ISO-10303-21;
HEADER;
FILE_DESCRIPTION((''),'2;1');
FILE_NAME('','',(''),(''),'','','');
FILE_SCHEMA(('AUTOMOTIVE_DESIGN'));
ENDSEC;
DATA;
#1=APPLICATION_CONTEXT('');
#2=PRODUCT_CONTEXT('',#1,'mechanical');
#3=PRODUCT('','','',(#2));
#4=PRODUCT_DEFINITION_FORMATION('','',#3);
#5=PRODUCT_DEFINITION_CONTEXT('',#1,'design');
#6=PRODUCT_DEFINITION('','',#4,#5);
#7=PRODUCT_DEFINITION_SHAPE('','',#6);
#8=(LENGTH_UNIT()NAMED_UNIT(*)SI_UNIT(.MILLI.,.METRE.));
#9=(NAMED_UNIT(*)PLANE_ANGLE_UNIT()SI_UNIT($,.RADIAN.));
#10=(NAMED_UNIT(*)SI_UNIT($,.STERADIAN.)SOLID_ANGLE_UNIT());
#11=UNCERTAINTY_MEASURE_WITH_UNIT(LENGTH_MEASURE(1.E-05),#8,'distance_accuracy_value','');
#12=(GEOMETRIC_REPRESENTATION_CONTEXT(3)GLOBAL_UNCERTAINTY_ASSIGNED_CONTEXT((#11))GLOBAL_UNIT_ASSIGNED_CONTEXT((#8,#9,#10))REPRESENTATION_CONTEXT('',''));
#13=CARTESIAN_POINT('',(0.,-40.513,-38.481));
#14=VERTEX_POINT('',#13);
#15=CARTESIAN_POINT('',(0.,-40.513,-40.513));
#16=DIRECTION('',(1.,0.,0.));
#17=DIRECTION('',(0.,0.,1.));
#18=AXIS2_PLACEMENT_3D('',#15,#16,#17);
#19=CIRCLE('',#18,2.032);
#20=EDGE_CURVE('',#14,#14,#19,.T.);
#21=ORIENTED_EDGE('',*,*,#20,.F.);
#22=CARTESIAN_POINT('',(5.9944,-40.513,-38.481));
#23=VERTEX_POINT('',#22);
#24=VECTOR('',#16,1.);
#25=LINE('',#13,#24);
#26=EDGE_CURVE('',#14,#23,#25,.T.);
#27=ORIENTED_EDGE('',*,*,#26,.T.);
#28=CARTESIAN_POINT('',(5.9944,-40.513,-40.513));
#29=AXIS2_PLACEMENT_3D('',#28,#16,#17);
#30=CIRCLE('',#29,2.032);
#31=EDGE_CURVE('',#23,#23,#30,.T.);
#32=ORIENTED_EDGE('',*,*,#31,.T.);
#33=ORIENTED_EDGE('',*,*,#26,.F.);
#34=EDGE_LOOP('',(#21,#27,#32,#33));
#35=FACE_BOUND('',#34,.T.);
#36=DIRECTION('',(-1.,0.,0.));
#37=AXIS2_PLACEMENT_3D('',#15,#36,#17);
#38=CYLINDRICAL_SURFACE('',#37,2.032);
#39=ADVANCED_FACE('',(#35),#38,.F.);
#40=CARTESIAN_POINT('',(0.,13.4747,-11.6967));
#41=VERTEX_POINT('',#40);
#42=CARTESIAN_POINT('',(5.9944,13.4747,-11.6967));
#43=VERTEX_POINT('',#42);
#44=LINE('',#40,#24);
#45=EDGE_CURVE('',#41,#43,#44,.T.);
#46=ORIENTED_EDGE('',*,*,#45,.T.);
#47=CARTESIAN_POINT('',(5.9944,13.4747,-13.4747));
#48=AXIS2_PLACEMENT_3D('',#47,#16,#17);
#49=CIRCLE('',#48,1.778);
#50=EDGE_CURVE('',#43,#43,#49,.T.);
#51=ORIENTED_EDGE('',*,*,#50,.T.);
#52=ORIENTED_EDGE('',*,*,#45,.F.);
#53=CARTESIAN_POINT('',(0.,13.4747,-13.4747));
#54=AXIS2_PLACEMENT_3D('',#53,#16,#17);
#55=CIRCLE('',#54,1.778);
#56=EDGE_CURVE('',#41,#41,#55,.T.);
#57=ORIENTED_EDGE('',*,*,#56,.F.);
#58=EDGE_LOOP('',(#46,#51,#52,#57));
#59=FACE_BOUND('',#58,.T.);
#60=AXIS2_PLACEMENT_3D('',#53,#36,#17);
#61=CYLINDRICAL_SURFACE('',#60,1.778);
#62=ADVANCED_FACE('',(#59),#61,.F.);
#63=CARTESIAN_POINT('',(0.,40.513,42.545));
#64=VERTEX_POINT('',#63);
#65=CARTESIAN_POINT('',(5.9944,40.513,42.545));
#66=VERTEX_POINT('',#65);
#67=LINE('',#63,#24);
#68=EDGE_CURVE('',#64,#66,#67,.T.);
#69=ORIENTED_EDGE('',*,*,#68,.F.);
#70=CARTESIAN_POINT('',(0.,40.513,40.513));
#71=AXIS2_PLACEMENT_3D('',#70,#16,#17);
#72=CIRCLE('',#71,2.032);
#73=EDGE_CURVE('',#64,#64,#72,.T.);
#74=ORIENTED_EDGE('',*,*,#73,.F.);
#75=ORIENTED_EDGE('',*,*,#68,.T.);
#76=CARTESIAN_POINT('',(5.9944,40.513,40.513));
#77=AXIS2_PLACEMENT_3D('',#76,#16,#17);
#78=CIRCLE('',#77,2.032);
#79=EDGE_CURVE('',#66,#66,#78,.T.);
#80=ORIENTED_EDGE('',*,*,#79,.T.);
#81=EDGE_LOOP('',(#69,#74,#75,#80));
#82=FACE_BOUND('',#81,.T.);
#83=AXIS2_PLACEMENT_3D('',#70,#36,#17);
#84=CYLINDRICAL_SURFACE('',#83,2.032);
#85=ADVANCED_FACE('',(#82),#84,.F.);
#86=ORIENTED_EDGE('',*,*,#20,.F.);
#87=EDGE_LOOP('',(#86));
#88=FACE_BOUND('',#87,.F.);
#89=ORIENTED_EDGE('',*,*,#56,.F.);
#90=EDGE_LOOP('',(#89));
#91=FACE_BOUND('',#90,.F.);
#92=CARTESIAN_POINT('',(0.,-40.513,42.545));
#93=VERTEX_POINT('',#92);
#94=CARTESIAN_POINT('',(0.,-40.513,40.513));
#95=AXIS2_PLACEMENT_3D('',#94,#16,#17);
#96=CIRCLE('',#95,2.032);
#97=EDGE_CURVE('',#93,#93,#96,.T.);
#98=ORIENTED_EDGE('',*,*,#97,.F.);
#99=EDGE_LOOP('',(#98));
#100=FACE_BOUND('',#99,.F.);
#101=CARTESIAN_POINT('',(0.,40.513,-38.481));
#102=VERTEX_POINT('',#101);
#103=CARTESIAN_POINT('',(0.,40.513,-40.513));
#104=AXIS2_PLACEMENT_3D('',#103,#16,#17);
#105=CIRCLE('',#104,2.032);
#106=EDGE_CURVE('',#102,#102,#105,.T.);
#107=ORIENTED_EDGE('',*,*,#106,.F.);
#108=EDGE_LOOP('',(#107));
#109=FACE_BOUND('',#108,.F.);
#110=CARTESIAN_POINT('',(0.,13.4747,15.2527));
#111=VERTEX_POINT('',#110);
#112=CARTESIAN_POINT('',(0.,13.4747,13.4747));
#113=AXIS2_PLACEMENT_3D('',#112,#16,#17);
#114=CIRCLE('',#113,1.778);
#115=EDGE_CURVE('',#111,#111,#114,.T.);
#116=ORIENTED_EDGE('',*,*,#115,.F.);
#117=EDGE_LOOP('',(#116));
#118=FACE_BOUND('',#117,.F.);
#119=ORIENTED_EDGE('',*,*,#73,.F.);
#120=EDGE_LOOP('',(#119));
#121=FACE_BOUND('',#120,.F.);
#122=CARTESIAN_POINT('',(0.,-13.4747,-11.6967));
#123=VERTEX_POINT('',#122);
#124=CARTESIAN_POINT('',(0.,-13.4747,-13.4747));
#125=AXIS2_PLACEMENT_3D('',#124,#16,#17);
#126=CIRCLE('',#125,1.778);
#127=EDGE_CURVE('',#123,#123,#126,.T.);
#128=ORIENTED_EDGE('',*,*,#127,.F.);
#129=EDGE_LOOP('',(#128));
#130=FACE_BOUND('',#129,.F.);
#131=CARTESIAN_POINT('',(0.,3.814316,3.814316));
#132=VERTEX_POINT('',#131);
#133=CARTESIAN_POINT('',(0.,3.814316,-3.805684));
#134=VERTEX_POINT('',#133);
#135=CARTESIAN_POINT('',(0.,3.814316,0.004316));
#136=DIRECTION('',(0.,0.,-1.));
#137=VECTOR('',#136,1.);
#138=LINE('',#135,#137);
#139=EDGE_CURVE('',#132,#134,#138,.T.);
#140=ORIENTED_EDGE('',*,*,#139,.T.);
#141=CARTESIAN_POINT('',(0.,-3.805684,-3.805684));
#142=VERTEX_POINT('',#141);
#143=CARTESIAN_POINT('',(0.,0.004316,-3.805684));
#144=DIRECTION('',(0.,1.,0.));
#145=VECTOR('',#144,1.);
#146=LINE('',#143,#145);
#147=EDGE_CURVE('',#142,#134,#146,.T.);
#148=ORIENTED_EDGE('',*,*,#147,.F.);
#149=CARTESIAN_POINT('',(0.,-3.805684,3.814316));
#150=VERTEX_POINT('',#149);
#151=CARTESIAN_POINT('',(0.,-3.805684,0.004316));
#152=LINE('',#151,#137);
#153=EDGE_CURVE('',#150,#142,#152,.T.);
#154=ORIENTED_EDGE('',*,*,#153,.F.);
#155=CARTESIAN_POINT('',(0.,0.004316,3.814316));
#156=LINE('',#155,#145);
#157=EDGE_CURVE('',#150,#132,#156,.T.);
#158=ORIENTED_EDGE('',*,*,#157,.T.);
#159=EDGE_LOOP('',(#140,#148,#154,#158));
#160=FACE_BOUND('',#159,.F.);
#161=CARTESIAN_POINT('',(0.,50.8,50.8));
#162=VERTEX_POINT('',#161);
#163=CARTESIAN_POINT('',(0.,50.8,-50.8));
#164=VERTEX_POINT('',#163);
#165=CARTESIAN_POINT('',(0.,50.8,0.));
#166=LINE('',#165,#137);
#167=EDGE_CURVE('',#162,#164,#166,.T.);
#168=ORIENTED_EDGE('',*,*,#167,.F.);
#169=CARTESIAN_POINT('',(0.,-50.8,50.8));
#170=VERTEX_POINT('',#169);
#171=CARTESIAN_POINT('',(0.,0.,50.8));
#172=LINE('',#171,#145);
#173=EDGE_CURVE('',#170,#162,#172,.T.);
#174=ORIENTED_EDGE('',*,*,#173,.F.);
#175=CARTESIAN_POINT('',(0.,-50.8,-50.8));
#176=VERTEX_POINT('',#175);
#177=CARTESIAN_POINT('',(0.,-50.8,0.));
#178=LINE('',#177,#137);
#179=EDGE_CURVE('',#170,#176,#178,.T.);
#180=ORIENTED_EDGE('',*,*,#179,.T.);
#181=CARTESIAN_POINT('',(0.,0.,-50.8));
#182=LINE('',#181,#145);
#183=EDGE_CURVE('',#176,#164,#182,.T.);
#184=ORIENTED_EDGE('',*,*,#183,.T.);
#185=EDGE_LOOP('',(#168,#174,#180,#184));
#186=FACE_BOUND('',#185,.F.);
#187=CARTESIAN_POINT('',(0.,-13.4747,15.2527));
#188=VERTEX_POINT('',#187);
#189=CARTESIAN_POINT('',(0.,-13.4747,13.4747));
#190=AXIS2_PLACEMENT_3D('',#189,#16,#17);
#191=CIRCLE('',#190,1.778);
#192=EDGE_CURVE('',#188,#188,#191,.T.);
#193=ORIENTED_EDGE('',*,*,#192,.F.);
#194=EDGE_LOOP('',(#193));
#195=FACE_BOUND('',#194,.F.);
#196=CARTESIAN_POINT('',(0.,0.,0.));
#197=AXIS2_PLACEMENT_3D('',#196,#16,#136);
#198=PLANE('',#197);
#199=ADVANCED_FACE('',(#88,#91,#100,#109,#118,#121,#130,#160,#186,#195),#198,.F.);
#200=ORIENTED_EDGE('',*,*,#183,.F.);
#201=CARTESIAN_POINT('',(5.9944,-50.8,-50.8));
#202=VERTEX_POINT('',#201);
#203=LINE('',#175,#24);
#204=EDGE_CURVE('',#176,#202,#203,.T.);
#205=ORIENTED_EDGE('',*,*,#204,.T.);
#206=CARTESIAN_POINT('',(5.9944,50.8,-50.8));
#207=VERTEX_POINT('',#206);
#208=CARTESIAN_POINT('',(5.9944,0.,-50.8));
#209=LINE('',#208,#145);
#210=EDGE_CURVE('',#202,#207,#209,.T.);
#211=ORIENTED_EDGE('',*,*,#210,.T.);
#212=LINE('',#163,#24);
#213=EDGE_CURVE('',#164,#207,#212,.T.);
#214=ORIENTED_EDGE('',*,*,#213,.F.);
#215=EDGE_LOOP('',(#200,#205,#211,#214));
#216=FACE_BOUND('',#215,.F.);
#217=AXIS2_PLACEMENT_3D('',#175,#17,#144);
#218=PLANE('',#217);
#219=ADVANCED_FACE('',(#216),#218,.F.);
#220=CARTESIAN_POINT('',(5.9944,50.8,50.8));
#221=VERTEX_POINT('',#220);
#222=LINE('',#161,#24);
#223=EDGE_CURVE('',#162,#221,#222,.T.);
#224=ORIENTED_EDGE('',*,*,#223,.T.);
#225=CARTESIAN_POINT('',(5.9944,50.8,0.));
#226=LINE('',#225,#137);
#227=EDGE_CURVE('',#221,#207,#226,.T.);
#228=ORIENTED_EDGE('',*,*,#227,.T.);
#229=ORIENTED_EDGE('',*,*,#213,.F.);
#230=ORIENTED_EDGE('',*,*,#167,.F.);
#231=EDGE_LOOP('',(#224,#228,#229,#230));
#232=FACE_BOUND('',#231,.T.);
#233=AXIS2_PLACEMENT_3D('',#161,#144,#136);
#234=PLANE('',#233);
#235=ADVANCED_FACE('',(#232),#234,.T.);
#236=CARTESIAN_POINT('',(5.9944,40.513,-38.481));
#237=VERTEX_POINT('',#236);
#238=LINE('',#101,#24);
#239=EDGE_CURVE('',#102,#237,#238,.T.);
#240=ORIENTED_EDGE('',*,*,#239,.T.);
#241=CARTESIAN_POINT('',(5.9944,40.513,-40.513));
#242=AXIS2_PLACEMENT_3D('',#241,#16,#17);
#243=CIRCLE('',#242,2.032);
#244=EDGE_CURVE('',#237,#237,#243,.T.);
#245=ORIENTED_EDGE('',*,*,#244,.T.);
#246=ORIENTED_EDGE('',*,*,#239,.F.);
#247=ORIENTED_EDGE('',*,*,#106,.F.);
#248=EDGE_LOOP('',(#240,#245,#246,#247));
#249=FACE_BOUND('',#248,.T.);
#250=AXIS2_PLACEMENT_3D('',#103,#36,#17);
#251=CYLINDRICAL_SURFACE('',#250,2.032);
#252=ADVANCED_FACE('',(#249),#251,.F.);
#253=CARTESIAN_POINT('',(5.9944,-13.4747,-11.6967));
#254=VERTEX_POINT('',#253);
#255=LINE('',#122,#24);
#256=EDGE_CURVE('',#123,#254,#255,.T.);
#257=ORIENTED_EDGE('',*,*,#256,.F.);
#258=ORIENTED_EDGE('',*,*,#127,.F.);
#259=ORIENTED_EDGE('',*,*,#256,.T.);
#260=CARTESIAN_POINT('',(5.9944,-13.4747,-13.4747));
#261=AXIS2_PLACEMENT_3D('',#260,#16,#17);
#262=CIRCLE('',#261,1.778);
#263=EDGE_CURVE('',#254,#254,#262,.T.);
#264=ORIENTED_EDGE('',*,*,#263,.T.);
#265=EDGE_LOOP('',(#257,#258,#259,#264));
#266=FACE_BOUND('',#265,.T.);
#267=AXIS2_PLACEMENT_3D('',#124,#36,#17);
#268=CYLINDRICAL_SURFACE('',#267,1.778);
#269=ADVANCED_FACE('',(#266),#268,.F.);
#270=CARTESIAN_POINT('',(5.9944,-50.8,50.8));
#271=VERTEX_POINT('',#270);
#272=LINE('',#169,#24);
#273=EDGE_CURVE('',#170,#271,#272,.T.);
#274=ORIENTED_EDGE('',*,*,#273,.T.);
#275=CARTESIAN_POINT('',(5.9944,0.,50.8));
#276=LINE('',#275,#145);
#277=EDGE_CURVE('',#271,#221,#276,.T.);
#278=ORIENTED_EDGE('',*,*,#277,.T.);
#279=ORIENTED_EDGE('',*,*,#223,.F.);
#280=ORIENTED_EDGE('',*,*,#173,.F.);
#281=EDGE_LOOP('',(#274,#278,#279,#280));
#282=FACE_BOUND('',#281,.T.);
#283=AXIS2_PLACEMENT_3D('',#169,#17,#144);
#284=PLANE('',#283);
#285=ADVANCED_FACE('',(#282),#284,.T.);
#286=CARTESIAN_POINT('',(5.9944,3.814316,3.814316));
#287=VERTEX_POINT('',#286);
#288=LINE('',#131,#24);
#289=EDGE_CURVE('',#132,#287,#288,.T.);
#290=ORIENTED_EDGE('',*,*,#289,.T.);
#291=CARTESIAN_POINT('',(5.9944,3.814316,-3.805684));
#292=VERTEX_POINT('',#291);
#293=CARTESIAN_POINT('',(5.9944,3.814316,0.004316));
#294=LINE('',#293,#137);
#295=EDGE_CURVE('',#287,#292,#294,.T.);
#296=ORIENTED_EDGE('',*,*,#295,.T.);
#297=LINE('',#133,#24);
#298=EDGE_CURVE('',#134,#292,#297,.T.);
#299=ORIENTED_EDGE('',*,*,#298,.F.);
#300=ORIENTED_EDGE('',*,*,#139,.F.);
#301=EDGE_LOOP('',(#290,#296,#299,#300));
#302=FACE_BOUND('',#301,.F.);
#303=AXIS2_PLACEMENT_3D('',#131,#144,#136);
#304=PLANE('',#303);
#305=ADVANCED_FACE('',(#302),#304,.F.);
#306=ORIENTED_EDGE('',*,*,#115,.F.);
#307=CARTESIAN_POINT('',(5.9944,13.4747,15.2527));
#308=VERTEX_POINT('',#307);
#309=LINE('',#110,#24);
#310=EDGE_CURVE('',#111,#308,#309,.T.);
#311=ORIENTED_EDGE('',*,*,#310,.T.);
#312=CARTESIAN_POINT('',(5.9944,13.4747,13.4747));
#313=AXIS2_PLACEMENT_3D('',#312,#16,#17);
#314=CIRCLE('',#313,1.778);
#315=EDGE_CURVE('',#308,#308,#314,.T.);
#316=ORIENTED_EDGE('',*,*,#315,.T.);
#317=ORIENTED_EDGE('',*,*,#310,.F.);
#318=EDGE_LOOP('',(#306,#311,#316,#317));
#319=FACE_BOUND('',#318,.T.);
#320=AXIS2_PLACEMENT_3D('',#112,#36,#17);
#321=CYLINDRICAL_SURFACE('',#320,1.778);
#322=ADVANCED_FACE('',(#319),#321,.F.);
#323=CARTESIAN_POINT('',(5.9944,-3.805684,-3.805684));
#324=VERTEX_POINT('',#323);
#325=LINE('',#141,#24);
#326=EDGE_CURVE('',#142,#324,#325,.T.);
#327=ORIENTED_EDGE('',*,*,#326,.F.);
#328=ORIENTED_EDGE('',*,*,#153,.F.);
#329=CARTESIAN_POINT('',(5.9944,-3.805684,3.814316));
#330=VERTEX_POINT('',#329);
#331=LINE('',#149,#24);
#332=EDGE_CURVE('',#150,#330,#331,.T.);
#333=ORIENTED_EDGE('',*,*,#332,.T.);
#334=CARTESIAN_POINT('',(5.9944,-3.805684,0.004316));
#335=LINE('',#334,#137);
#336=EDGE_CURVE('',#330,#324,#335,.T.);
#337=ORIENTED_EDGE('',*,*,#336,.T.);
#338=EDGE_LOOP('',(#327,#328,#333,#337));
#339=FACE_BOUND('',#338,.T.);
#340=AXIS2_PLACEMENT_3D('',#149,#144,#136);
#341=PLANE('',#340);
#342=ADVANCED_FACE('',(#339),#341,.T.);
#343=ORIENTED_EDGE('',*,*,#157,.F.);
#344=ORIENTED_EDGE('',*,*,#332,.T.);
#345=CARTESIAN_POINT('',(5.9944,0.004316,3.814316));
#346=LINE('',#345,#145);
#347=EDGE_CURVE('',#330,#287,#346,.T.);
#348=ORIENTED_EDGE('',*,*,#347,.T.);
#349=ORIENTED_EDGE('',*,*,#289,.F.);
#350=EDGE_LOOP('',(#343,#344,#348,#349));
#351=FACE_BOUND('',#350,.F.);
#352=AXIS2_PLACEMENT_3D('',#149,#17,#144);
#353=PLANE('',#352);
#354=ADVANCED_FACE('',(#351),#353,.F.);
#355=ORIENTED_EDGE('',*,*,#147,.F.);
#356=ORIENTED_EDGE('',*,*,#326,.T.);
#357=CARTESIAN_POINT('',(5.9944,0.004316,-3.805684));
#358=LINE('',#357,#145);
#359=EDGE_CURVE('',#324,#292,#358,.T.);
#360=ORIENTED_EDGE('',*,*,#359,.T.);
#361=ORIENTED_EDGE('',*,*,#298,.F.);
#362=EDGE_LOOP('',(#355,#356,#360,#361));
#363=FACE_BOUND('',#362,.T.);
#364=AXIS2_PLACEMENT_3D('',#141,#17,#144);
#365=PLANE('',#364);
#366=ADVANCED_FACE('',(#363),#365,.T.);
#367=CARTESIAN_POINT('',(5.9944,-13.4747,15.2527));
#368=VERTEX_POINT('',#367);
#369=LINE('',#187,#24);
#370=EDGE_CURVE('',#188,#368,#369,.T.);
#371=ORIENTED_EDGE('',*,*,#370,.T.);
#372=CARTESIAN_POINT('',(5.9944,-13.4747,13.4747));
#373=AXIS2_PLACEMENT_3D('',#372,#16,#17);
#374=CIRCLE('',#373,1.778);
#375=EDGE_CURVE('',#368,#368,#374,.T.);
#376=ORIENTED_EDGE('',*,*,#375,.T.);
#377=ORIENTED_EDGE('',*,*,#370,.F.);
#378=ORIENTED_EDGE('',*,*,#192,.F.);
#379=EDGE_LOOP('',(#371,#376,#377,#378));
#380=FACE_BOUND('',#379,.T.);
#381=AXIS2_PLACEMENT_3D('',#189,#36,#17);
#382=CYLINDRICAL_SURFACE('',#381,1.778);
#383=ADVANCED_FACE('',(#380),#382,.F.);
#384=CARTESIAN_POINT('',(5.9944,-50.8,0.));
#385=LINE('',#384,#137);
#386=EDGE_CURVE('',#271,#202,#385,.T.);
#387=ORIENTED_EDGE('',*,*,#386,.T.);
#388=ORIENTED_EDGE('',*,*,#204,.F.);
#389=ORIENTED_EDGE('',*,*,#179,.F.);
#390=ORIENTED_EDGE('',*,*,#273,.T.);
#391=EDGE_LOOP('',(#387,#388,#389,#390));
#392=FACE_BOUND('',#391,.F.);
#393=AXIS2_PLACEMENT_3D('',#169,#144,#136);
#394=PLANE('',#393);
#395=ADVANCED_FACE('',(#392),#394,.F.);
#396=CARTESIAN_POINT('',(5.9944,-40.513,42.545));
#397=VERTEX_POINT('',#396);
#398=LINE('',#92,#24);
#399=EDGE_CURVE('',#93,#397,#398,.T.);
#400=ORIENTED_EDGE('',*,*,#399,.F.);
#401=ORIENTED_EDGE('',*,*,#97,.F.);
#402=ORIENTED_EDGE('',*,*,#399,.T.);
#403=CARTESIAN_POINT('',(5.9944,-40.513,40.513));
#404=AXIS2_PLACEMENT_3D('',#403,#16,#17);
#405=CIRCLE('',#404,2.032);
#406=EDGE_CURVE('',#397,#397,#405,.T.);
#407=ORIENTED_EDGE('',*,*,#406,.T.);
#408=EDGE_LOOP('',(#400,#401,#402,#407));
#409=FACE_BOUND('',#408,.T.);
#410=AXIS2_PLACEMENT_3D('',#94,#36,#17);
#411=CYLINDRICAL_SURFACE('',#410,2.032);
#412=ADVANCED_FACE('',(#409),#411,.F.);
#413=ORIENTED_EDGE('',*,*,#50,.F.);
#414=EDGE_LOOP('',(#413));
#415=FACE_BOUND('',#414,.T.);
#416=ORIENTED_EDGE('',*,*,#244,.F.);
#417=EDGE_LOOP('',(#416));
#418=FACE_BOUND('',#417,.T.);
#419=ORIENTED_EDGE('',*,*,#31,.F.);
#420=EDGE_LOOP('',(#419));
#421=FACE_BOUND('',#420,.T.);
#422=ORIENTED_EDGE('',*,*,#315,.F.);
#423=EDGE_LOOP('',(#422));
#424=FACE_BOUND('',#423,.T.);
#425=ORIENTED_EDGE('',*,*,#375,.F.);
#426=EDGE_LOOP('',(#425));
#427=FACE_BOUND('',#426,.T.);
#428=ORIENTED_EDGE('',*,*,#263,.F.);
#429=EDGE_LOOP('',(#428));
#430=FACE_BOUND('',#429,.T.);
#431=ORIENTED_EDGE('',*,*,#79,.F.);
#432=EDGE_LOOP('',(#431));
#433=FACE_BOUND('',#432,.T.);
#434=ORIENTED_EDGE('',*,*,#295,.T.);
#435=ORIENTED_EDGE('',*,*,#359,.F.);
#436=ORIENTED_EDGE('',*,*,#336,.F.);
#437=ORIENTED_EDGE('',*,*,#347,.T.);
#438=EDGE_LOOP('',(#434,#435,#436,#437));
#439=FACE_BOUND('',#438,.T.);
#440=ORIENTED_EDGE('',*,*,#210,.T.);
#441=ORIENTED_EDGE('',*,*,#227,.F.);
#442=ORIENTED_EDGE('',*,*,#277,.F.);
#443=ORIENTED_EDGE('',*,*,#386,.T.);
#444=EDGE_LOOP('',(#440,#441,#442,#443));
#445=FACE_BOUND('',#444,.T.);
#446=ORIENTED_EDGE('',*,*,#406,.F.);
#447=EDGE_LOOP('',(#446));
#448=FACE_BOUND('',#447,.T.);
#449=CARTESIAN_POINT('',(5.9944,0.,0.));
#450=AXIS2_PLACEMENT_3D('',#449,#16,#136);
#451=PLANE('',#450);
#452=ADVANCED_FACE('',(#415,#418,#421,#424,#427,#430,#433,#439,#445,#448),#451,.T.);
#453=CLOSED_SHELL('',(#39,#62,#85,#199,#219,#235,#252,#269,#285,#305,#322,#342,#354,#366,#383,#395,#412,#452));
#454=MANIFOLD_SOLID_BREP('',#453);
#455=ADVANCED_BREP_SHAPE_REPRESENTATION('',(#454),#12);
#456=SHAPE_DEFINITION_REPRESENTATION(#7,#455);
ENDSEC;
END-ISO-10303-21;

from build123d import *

# Parameters (mm, degrees)
SKETCH1_W           = 101.599999998
SKETCH1_H           = 101.6
SKETCH1_R           = 2.032
SKETCH1_R_2         = 1.778
SKETCH1_W_2         = 7.62
SKETCH1_H_2         = 7.62
BOSS_EXTRUDE1_DEPTH = 5.9944


with BuildPart() as part:
    # Sketch1 → Boss-Extrude1 (new body)
    with BuildSketch(Plane(origin=(0, 0, 0), x_dir=(0, 0, -1), z_dir=(1, 0, 0))):
        Rectangle(SKETCH1_W, SKETCH1_H)
        with Locations(Location((-40.513, 40.513, 0), (0, 0, 180))):
            Circle(SKETCH1_R, mode=Mode.SUBTRACT)
        with Locations(Location((40.513, 40.513, 0), (0, 0, 180))):
            Circle(SKETCH1_R, mode=Mode.SUBTRACT)
        with Locations(Location((40.513, -40.513, 0), (0, 0, 180))):
            Circle(SKETCH1_R, mode=Mode.SUBTRACT)
        with Locations(Location((-40.513, -40.513, 0), (0, 0, 180))):
            Circle(SKETCH1_R, mode=Mode.SUBTRACT)
        with Locations(Location((-13.4747, 13.4747, 0), (0, 0, 180))):
            Circle(SKETCH1_R_2, mode=Mode.SUBTRACT)
        with Locations(Location((-13.4747, -13.4747, 0), (0, 0, 180))):
            Circle(SKETCH1_R_2, mode=Mode.SUBTRACT)
        with Locations(Location((13.4747, -13.4747, 0), (0, 0, 180))):
            Circle(SKETCH1_R_2, mode=Mode.SUBTRACT)
        with Locations(Location((13.4747, 13.4747, 0), (0, 0, 180))):
            Circle(SKETCH1_R_2, mode=Mode.SUBTRACT)
        with Locations((-0.004315818, 0.004315818)):
            Rectangle(SKETCH1_W_2, SKETCH1_H_2, mode=Mode.SUBTRACT)
    extrude(amount=BOSS_EXTRUDE1_DEPTH)


solid = part.part
